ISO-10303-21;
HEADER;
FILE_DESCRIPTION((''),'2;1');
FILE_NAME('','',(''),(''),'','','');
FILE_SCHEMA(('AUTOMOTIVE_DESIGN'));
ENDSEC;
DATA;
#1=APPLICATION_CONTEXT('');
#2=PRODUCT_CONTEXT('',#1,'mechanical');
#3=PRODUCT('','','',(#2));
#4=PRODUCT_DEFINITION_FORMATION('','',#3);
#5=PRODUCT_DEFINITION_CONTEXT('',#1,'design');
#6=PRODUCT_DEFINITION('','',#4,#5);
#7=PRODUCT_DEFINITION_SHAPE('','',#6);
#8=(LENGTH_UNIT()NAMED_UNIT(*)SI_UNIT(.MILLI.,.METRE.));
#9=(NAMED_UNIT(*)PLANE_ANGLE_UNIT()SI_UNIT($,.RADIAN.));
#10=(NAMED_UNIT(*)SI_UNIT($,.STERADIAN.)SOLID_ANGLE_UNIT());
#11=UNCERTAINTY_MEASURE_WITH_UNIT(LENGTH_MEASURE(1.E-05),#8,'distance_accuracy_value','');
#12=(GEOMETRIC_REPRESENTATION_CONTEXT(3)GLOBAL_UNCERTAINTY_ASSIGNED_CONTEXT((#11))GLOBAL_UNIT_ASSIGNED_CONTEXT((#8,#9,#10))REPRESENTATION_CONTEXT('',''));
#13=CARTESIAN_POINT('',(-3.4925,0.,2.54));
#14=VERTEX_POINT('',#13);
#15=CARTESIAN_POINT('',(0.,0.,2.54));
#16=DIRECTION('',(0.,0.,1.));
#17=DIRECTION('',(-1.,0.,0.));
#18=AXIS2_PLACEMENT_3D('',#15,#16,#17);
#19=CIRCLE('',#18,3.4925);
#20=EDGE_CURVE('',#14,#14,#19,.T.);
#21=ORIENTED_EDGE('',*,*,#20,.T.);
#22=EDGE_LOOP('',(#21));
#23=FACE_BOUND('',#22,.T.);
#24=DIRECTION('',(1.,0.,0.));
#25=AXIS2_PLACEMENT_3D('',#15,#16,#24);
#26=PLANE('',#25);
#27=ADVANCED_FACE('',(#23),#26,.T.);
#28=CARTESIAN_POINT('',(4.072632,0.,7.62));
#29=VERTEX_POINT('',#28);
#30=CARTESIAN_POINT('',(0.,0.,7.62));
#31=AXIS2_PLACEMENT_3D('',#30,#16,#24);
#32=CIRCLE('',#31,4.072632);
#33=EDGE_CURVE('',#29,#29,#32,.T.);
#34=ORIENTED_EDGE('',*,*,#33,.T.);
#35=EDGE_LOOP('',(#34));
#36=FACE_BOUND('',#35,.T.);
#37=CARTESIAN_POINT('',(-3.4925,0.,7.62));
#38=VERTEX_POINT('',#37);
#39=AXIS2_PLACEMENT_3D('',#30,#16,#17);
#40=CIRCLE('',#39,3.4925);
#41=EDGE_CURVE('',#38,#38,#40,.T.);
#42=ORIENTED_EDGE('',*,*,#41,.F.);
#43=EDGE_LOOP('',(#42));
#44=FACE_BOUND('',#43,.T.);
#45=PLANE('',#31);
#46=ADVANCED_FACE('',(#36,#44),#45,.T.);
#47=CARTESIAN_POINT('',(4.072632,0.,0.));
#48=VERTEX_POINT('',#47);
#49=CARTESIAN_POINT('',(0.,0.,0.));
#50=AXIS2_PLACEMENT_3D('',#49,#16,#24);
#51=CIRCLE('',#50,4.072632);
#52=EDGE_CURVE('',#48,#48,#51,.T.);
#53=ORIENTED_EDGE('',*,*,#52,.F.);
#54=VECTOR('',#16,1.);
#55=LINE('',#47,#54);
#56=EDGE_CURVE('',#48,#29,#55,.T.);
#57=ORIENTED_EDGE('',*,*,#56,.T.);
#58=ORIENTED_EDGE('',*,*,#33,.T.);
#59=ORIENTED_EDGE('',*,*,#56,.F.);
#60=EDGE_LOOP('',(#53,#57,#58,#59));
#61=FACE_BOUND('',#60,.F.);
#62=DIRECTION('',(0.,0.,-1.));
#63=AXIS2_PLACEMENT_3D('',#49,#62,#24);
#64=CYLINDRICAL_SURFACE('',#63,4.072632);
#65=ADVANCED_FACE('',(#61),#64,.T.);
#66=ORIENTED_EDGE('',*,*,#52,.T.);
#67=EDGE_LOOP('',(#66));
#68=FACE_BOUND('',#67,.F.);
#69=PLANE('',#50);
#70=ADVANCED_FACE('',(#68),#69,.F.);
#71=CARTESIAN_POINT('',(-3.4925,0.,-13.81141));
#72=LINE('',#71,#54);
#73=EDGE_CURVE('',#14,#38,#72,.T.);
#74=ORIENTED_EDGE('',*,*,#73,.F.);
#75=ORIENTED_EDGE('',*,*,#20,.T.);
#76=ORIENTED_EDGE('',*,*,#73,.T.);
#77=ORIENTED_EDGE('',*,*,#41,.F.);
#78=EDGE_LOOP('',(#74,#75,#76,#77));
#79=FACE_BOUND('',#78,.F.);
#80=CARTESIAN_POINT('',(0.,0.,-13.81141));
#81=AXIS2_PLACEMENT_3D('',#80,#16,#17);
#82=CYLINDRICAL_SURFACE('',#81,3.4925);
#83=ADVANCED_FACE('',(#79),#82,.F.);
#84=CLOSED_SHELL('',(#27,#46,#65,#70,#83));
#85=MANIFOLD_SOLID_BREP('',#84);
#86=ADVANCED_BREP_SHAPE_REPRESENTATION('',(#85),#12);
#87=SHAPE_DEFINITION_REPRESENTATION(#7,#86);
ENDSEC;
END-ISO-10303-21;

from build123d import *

# Parameters (mm, degrees)
F1_R     = 4.072632
F2_DEPTH = 7.62
F3_D     = 6.985
F4_R     = 4.013855
F5_DEPTH = 2.54


with BuildPart() as f2:
    # F1 (on Top) → F2 (new body)
    with BuildSketch(Plane.XY):
        Circle(F1_R)
    extrude(amount=F2_DEPTH)

    # F3 (through all)
    with Locations(Plane(origin=(0, 0, 0), x_dir=(1, 0, 0), z_dir=(0, 0, -1))):
        with Locations((0, 0)):
            Hole(F3_D / 2)

    # F4 (on Top) → F5 (join)
    with BuildSketch(Plane.XY):
        Circle(F4_R)
    extrude(amount=F5_DEPTH)


solid = f2.part
